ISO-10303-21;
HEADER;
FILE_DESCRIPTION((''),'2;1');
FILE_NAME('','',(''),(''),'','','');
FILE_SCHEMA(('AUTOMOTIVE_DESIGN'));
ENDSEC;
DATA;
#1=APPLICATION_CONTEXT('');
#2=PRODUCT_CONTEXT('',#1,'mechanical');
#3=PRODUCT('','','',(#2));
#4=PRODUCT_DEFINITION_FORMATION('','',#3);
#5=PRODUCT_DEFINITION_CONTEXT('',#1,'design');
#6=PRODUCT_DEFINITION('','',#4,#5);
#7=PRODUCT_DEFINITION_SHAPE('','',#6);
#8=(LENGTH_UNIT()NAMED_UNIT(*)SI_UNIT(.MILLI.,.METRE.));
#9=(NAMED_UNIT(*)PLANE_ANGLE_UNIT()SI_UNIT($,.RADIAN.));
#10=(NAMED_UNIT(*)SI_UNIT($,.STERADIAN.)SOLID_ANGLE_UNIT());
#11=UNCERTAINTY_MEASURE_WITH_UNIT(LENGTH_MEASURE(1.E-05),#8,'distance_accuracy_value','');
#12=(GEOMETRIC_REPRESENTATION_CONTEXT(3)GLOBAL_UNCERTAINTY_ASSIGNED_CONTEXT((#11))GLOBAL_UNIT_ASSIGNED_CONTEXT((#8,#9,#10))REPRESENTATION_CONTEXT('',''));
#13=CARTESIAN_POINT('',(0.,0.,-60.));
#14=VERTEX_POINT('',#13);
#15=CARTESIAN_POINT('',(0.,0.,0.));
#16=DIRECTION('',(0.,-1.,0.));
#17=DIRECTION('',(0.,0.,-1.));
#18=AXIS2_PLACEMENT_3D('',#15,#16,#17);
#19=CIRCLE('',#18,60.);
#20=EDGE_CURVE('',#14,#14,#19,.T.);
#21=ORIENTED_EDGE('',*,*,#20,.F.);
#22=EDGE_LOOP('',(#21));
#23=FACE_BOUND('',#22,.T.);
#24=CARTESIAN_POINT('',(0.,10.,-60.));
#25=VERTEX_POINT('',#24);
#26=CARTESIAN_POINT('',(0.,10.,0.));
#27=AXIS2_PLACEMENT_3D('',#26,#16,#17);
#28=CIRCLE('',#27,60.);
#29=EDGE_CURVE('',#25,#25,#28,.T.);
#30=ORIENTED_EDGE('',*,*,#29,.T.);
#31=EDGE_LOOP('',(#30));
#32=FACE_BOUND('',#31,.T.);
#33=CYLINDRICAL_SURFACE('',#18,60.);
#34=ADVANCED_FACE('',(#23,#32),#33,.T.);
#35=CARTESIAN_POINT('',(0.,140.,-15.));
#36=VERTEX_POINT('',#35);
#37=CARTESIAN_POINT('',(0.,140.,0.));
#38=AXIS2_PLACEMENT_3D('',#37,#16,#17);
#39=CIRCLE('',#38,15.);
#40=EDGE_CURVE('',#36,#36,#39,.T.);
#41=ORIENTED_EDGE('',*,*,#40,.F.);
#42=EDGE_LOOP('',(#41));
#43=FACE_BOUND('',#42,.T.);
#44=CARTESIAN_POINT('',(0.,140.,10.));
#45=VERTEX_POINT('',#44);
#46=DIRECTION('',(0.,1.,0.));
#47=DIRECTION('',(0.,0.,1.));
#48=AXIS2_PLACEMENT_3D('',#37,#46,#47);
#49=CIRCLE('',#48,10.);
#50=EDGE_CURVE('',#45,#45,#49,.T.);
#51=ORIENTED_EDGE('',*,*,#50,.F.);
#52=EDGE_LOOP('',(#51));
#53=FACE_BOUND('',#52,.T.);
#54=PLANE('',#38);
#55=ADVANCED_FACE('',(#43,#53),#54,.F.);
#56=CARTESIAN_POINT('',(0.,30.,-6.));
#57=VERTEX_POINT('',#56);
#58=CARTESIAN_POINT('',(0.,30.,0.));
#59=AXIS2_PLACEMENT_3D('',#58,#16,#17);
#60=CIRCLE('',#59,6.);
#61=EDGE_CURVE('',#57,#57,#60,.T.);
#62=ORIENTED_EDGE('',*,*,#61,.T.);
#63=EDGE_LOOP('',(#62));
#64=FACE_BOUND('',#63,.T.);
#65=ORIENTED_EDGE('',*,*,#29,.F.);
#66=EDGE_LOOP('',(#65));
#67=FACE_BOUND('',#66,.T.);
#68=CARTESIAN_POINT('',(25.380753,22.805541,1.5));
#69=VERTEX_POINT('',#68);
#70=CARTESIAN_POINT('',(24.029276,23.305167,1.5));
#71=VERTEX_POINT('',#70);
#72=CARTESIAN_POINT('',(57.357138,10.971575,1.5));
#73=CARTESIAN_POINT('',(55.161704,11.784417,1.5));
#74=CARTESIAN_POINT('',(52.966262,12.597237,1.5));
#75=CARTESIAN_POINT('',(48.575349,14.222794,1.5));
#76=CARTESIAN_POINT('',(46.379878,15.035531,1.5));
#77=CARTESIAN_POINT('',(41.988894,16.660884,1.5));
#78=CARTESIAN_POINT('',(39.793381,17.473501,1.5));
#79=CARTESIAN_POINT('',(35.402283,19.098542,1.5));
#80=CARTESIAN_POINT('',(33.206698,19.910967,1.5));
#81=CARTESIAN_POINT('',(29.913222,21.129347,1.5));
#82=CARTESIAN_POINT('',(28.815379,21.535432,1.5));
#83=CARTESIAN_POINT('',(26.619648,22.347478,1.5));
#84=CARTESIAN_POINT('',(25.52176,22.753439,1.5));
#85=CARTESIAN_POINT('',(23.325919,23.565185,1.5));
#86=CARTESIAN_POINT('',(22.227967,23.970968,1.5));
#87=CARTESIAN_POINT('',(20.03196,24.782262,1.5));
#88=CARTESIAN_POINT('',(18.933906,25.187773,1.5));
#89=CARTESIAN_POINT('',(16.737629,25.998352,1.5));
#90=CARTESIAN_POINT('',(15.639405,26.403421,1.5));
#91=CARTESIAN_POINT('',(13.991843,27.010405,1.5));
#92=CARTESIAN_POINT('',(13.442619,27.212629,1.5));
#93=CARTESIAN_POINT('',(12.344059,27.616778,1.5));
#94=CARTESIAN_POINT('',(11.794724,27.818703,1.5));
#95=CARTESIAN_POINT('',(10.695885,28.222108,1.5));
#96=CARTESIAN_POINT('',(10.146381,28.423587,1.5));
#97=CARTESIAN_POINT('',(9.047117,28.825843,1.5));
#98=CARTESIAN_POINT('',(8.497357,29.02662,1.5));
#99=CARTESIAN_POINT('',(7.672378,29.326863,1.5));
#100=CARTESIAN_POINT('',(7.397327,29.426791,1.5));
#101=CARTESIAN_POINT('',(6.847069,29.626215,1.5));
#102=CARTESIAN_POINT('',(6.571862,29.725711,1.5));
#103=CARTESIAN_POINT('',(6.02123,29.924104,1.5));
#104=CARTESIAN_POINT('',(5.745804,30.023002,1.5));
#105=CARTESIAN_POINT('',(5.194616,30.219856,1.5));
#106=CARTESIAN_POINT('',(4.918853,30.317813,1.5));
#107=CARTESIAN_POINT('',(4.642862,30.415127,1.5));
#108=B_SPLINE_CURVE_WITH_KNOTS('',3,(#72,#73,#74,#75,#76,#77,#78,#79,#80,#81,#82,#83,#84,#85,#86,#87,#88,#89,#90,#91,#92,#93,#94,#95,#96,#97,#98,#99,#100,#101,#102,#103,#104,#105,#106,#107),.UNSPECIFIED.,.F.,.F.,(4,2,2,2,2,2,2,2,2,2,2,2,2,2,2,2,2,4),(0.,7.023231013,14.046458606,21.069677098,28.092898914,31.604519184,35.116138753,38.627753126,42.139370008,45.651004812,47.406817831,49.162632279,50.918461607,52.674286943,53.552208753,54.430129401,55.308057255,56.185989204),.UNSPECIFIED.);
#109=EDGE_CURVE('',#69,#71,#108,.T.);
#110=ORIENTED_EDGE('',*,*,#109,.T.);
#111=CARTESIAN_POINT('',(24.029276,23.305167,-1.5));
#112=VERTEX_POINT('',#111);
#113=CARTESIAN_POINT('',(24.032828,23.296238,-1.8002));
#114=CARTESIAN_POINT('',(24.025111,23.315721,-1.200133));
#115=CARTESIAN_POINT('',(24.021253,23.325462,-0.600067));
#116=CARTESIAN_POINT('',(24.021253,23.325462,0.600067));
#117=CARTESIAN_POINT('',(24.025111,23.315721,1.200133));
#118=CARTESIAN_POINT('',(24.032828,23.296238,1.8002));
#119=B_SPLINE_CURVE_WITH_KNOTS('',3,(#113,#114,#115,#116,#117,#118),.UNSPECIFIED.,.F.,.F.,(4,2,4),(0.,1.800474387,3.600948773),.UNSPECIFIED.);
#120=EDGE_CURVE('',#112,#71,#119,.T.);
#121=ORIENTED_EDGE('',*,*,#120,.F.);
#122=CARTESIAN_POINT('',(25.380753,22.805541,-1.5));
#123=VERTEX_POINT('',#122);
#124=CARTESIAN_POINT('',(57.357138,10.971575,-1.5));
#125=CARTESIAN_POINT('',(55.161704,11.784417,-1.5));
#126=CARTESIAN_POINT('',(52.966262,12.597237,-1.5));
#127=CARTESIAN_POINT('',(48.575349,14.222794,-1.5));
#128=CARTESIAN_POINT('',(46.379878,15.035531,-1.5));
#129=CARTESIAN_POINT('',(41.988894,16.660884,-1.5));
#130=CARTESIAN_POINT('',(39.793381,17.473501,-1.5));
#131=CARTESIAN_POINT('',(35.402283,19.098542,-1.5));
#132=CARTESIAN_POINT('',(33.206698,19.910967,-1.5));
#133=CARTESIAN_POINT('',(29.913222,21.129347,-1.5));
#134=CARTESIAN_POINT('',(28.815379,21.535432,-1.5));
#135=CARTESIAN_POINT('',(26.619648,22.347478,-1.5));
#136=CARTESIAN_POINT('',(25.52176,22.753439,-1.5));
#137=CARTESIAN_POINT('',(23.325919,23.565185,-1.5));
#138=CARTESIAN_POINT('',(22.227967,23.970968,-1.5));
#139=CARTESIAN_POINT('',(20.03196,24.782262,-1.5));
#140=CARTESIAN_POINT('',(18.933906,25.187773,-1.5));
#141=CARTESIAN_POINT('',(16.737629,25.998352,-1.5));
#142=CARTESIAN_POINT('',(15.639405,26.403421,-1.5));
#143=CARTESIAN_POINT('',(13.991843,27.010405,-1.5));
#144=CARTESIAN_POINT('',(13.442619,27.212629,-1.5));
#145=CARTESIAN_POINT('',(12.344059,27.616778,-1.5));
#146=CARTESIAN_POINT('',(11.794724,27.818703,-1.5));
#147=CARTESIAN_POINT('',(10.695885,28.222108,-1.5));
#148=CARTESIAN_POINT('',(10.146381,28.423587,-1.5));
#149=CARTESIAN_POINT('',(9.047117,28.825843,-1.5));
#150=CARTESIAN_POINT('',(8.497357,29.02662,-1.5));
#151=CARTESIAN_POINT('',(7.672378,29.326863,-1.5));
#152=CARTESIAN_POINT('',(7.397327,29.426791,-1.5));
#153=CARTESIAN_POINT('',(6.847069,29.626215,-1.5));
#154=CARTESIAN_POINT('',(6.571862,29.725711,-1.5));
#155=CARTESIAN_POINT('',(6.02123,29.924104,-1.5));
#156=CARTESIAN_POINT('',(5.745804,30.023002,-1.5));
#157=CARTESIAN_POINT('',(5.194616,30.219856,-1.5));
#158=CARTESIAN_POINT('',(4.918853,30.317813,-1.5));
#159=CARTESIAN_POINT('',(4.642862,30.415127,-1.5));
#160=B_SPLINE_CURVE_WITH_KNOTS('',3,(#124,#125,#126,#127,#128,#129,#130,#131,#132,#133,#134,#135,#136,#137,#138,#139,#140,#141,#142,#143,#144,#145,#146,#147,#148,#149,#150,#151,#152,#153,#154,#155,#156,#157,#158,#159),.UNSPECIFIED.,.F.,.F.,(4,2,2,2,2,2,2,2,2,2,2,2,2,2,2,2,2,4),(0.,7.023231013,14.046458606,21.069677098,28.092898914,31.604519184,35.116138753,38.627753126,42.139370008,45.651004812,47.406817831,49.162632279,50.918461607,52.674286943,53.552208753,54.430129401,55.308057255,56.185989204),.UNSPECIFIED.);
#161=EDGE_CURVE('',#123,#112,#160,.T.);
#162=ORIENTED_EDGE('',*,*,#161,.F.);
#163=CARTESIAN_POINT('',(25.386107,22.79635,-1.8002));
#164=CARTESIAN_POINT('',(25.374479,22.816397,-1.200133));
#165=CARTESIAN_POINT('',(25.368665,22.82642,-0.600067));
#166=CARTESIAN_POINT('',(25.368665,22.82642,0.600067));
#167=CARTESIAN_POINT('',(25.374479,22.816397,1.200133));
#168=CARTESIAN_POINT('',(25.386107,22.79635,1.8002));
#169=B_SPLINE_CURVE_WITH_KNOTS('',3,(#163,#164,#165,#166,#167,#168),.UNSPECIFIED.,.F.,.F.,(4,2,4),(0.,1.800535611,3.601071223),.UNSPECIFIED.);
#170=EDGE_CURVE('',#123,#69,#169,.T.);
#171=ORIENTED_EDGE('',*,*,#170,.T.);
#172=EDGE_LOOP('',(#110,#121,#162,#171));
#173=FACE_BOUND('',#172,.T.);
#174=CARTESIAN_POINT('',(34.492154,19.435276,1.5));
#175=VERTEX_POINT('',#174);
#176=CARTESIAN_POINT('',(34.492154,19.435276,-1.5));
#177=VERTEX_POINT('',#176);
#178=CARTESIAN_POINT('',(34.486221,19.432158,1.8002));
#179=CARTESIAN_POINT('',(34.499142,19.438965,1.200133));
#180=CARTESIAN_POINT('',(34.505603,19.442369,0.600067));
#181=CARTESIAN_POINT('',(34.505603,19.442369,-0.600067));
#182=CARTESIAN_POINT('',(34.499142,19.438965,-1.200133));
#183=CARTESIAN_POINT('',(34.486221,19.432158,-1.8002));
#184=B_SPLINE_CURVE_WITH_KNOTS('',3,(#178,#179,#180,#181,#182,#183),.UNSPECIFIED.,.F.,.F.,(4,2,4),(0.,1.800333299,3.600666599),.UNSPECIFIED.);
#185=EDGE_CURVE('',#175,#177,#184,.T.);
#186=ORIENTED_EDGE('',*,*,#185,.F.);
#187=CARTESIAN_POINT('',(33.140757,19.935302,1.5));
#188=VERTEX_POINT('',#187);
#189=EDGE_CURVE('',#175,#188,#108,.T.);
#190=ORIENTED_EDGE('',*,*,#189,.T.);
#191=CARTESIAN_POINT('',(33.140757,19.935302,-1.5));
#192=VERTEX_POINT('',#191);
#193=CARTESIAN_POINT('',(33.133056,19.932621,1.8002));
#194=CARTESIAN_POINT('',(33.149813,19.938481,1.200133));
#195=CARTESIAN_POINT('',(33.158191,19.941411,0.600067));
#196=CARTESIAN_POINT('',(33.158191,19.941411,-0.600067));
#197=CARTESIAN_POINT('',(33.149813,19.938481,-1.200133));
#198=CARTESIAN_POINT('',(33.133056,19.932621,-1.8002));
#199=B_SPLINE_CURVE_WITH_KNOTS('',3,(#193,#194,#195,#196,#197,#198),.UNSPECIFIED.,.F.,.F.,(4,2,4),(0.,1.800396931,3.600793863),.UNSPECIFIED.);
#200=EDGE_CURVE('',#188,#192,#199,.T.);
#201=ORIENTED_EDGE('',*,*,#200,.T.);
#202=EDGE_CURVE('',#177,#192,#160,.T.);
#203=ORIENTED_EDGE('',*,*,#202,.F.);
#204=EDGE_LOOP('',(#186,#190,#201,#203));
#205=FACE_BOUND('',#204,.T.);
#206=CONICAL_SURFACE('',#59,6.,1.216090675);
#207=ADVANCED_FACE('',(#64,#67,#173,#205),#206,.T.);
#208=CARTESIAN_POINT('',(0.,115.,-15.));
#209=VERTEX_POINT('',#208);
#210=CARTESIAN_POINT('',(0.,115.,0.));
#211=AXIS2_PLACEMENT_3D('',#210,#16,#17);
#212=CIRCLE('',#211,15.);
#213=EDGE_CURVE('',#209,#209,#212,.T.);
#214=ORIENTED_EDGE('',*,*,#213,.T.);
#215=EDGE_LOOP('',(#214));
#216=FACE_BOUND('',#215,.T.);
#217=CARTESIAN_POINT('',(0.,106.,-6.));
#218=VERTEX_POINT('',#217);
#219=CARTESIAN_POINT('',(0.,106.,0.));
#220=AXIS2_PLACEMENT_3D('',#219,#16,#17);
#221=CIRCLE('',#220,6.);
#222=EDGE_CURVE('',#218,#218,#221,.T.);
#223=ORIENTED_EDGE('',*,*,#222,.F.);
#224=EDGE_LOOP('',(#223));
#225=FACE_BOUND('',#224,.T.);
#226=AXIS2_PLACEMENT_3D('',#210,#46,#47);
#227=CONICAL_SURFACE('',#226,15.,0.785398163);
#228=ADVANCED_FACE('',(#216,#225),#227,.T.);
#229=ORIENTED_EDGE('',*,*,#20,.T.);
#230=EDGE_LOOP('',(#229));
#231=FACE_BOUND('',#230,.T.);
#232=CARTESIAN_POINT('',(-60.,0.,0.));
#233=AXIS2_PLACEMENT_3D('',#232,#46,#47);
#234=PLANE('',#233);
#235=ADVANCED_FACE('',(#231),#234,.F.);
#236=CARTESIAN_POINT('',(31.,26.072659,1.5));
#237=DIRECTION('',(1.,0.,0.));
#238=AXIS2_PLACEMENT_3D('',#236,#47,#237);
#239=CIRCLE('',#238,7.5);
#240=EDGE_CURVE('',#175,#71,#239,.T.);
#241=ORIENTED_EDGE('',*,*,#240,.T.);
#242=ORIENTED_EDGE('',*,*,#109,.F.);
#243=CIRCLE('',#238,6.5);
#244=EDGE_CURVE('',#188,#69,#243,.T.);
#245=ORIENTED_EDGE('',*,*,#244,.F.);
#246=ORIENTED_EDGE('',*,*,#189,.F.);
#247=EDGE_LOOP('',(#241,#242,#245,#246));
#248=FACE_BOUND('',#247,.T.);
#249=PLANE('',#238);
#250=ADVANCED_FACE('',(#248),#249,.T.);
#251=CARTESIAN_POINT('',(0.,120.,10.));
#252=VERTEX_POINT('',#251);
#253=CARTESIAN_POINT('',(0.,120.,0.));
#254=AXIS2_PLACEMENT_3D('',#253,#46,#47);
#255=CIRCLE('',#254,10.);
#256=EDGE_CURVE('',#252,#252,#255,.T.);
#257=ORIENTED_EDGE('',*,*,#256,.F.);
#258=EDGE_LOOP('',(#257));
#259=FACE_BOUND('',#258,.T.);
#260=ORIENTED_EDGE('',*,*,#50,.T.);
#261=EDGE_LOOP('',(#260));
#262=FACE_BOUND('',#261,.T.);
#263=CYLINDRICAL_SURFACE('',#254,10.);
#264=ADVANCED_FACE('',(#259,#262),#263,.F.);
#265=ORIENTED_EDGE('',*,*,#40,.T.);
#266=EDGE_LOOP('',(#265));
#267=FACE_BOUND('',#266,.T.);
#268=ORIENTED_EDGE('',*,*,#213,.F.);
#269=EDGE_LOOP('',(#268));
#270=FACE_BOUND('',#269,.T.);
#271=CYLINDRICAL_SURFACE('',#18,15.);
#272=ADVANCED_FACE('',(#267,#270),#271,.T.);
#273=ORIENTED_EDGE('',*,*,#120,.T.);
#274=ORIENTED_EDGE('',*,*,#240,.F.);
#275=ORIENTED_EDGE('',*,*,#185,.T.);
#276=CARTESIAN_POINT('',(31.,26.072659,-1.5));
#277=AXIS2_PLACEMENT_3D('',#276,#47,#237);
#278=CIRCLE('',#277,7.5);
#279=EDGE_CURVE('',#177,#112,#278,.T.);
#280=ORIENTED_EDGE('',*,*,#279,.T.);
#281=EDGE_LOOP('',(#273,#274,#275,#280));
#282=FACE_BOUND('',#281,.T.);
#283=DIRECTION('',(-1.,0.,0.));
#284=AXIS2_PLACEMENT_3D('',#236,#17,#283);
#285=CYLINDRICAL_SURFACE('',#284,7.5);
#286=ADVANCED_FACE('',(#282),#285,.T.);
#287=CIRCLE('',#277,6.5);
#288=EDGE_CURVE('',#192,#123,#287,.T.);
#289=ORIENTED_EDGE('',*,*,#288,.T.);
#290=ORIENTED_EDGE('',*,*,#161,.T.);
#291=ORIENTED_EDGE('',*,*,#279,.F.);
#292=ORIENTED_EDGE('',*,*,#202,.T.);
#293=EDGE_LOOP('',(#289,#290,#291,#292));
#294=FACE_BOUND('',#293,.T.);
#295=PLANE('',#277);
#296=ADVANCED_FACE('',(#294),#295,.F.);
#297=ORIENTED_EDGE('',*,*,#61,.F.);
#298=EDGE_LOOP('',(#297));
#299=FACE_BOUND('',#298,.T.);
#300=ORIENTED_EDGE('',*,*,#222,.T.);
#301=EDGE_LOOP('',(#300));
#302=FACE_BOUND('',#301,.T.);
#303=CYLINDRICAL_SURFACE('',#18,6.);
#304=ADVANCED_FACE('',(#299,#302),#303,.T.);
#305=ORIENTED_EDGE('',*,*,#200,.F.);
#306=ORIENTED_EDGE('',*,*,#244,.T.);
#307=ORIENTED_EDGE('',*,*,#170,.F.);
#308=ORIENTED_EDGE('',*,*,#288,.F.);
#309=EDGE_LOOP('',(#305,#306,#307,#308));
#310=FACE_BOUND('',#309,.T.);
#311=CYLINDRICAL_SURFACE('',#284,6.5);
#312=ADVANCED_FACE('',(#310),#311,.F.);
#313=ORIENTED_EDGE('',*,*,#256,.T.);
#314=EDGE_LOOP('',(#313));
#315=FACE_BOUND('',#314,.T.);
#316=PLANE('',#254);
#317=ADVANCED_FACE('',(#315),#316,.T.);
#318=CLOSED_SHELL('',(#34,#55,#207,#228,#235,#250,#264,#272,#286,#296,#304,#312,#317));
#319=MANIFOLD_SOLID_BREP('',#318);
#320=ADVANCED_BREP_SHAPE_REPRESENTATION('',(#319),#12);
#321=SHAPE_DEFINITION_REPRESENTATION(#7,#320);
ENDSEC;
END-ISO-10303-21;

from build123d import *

# Parameters (mm, degrees)
SKETCH2_R           = 10
CUT_EXTRUDE2_DEPTH  = 20
SKETCH3_R           = 7.5
SKETCH3_R_2         = 6.5
BOSS_EXTRUDE2_DEPTH = 1.5


with BuildPart() as part:
    # Sketch1 → Revolve1 (revolve)
    with BuildSketch(Plane.XY, mode=Mode.PRIVATE) as revolve1_sk:
        Polygon((0, 140), (-15, 140), (-15, 115), (-6, 106), (-6, 30), (-60, 10), (-60, 0), (0, 0), align=None)
    revolve(revolve1_sk.sketch.rotate(Axis((0, 0, 0), (0, 1, 0)), 270), axis=Axis((0, 0, 0), (0, 1, 0)))

    # Sketch2 → Cut-Extrude2 (cut)
    with BuildSketch(Plane(origin=(0, 140, 0), x_dir=(1, 0, 0), z_dir=(0, 1, 0))):
        with Locations(Location((0, 0, 0), (0, 0, 270))):
            Circle(SKETCH2_R)
    extrude(amount=-CUT_EXTRUDE2_DEPTH, mode=Mode.SUBTRACT)

    # Sketch3 → Boss-Extrude2 (add, symmetric)
    with BuildSketch(Plane.XY):
        with Locations((31, 26.072659277)):
            Circle(SKETCH3_R)
        with Locations((31, 26.072659277)):
            Circle(SKETCH3_R_2, mode=Mode.SUBTRACT)
    extrude(amount=BOSS_EXTRUDE2_DEPTH, both=True)


solid = part.part
